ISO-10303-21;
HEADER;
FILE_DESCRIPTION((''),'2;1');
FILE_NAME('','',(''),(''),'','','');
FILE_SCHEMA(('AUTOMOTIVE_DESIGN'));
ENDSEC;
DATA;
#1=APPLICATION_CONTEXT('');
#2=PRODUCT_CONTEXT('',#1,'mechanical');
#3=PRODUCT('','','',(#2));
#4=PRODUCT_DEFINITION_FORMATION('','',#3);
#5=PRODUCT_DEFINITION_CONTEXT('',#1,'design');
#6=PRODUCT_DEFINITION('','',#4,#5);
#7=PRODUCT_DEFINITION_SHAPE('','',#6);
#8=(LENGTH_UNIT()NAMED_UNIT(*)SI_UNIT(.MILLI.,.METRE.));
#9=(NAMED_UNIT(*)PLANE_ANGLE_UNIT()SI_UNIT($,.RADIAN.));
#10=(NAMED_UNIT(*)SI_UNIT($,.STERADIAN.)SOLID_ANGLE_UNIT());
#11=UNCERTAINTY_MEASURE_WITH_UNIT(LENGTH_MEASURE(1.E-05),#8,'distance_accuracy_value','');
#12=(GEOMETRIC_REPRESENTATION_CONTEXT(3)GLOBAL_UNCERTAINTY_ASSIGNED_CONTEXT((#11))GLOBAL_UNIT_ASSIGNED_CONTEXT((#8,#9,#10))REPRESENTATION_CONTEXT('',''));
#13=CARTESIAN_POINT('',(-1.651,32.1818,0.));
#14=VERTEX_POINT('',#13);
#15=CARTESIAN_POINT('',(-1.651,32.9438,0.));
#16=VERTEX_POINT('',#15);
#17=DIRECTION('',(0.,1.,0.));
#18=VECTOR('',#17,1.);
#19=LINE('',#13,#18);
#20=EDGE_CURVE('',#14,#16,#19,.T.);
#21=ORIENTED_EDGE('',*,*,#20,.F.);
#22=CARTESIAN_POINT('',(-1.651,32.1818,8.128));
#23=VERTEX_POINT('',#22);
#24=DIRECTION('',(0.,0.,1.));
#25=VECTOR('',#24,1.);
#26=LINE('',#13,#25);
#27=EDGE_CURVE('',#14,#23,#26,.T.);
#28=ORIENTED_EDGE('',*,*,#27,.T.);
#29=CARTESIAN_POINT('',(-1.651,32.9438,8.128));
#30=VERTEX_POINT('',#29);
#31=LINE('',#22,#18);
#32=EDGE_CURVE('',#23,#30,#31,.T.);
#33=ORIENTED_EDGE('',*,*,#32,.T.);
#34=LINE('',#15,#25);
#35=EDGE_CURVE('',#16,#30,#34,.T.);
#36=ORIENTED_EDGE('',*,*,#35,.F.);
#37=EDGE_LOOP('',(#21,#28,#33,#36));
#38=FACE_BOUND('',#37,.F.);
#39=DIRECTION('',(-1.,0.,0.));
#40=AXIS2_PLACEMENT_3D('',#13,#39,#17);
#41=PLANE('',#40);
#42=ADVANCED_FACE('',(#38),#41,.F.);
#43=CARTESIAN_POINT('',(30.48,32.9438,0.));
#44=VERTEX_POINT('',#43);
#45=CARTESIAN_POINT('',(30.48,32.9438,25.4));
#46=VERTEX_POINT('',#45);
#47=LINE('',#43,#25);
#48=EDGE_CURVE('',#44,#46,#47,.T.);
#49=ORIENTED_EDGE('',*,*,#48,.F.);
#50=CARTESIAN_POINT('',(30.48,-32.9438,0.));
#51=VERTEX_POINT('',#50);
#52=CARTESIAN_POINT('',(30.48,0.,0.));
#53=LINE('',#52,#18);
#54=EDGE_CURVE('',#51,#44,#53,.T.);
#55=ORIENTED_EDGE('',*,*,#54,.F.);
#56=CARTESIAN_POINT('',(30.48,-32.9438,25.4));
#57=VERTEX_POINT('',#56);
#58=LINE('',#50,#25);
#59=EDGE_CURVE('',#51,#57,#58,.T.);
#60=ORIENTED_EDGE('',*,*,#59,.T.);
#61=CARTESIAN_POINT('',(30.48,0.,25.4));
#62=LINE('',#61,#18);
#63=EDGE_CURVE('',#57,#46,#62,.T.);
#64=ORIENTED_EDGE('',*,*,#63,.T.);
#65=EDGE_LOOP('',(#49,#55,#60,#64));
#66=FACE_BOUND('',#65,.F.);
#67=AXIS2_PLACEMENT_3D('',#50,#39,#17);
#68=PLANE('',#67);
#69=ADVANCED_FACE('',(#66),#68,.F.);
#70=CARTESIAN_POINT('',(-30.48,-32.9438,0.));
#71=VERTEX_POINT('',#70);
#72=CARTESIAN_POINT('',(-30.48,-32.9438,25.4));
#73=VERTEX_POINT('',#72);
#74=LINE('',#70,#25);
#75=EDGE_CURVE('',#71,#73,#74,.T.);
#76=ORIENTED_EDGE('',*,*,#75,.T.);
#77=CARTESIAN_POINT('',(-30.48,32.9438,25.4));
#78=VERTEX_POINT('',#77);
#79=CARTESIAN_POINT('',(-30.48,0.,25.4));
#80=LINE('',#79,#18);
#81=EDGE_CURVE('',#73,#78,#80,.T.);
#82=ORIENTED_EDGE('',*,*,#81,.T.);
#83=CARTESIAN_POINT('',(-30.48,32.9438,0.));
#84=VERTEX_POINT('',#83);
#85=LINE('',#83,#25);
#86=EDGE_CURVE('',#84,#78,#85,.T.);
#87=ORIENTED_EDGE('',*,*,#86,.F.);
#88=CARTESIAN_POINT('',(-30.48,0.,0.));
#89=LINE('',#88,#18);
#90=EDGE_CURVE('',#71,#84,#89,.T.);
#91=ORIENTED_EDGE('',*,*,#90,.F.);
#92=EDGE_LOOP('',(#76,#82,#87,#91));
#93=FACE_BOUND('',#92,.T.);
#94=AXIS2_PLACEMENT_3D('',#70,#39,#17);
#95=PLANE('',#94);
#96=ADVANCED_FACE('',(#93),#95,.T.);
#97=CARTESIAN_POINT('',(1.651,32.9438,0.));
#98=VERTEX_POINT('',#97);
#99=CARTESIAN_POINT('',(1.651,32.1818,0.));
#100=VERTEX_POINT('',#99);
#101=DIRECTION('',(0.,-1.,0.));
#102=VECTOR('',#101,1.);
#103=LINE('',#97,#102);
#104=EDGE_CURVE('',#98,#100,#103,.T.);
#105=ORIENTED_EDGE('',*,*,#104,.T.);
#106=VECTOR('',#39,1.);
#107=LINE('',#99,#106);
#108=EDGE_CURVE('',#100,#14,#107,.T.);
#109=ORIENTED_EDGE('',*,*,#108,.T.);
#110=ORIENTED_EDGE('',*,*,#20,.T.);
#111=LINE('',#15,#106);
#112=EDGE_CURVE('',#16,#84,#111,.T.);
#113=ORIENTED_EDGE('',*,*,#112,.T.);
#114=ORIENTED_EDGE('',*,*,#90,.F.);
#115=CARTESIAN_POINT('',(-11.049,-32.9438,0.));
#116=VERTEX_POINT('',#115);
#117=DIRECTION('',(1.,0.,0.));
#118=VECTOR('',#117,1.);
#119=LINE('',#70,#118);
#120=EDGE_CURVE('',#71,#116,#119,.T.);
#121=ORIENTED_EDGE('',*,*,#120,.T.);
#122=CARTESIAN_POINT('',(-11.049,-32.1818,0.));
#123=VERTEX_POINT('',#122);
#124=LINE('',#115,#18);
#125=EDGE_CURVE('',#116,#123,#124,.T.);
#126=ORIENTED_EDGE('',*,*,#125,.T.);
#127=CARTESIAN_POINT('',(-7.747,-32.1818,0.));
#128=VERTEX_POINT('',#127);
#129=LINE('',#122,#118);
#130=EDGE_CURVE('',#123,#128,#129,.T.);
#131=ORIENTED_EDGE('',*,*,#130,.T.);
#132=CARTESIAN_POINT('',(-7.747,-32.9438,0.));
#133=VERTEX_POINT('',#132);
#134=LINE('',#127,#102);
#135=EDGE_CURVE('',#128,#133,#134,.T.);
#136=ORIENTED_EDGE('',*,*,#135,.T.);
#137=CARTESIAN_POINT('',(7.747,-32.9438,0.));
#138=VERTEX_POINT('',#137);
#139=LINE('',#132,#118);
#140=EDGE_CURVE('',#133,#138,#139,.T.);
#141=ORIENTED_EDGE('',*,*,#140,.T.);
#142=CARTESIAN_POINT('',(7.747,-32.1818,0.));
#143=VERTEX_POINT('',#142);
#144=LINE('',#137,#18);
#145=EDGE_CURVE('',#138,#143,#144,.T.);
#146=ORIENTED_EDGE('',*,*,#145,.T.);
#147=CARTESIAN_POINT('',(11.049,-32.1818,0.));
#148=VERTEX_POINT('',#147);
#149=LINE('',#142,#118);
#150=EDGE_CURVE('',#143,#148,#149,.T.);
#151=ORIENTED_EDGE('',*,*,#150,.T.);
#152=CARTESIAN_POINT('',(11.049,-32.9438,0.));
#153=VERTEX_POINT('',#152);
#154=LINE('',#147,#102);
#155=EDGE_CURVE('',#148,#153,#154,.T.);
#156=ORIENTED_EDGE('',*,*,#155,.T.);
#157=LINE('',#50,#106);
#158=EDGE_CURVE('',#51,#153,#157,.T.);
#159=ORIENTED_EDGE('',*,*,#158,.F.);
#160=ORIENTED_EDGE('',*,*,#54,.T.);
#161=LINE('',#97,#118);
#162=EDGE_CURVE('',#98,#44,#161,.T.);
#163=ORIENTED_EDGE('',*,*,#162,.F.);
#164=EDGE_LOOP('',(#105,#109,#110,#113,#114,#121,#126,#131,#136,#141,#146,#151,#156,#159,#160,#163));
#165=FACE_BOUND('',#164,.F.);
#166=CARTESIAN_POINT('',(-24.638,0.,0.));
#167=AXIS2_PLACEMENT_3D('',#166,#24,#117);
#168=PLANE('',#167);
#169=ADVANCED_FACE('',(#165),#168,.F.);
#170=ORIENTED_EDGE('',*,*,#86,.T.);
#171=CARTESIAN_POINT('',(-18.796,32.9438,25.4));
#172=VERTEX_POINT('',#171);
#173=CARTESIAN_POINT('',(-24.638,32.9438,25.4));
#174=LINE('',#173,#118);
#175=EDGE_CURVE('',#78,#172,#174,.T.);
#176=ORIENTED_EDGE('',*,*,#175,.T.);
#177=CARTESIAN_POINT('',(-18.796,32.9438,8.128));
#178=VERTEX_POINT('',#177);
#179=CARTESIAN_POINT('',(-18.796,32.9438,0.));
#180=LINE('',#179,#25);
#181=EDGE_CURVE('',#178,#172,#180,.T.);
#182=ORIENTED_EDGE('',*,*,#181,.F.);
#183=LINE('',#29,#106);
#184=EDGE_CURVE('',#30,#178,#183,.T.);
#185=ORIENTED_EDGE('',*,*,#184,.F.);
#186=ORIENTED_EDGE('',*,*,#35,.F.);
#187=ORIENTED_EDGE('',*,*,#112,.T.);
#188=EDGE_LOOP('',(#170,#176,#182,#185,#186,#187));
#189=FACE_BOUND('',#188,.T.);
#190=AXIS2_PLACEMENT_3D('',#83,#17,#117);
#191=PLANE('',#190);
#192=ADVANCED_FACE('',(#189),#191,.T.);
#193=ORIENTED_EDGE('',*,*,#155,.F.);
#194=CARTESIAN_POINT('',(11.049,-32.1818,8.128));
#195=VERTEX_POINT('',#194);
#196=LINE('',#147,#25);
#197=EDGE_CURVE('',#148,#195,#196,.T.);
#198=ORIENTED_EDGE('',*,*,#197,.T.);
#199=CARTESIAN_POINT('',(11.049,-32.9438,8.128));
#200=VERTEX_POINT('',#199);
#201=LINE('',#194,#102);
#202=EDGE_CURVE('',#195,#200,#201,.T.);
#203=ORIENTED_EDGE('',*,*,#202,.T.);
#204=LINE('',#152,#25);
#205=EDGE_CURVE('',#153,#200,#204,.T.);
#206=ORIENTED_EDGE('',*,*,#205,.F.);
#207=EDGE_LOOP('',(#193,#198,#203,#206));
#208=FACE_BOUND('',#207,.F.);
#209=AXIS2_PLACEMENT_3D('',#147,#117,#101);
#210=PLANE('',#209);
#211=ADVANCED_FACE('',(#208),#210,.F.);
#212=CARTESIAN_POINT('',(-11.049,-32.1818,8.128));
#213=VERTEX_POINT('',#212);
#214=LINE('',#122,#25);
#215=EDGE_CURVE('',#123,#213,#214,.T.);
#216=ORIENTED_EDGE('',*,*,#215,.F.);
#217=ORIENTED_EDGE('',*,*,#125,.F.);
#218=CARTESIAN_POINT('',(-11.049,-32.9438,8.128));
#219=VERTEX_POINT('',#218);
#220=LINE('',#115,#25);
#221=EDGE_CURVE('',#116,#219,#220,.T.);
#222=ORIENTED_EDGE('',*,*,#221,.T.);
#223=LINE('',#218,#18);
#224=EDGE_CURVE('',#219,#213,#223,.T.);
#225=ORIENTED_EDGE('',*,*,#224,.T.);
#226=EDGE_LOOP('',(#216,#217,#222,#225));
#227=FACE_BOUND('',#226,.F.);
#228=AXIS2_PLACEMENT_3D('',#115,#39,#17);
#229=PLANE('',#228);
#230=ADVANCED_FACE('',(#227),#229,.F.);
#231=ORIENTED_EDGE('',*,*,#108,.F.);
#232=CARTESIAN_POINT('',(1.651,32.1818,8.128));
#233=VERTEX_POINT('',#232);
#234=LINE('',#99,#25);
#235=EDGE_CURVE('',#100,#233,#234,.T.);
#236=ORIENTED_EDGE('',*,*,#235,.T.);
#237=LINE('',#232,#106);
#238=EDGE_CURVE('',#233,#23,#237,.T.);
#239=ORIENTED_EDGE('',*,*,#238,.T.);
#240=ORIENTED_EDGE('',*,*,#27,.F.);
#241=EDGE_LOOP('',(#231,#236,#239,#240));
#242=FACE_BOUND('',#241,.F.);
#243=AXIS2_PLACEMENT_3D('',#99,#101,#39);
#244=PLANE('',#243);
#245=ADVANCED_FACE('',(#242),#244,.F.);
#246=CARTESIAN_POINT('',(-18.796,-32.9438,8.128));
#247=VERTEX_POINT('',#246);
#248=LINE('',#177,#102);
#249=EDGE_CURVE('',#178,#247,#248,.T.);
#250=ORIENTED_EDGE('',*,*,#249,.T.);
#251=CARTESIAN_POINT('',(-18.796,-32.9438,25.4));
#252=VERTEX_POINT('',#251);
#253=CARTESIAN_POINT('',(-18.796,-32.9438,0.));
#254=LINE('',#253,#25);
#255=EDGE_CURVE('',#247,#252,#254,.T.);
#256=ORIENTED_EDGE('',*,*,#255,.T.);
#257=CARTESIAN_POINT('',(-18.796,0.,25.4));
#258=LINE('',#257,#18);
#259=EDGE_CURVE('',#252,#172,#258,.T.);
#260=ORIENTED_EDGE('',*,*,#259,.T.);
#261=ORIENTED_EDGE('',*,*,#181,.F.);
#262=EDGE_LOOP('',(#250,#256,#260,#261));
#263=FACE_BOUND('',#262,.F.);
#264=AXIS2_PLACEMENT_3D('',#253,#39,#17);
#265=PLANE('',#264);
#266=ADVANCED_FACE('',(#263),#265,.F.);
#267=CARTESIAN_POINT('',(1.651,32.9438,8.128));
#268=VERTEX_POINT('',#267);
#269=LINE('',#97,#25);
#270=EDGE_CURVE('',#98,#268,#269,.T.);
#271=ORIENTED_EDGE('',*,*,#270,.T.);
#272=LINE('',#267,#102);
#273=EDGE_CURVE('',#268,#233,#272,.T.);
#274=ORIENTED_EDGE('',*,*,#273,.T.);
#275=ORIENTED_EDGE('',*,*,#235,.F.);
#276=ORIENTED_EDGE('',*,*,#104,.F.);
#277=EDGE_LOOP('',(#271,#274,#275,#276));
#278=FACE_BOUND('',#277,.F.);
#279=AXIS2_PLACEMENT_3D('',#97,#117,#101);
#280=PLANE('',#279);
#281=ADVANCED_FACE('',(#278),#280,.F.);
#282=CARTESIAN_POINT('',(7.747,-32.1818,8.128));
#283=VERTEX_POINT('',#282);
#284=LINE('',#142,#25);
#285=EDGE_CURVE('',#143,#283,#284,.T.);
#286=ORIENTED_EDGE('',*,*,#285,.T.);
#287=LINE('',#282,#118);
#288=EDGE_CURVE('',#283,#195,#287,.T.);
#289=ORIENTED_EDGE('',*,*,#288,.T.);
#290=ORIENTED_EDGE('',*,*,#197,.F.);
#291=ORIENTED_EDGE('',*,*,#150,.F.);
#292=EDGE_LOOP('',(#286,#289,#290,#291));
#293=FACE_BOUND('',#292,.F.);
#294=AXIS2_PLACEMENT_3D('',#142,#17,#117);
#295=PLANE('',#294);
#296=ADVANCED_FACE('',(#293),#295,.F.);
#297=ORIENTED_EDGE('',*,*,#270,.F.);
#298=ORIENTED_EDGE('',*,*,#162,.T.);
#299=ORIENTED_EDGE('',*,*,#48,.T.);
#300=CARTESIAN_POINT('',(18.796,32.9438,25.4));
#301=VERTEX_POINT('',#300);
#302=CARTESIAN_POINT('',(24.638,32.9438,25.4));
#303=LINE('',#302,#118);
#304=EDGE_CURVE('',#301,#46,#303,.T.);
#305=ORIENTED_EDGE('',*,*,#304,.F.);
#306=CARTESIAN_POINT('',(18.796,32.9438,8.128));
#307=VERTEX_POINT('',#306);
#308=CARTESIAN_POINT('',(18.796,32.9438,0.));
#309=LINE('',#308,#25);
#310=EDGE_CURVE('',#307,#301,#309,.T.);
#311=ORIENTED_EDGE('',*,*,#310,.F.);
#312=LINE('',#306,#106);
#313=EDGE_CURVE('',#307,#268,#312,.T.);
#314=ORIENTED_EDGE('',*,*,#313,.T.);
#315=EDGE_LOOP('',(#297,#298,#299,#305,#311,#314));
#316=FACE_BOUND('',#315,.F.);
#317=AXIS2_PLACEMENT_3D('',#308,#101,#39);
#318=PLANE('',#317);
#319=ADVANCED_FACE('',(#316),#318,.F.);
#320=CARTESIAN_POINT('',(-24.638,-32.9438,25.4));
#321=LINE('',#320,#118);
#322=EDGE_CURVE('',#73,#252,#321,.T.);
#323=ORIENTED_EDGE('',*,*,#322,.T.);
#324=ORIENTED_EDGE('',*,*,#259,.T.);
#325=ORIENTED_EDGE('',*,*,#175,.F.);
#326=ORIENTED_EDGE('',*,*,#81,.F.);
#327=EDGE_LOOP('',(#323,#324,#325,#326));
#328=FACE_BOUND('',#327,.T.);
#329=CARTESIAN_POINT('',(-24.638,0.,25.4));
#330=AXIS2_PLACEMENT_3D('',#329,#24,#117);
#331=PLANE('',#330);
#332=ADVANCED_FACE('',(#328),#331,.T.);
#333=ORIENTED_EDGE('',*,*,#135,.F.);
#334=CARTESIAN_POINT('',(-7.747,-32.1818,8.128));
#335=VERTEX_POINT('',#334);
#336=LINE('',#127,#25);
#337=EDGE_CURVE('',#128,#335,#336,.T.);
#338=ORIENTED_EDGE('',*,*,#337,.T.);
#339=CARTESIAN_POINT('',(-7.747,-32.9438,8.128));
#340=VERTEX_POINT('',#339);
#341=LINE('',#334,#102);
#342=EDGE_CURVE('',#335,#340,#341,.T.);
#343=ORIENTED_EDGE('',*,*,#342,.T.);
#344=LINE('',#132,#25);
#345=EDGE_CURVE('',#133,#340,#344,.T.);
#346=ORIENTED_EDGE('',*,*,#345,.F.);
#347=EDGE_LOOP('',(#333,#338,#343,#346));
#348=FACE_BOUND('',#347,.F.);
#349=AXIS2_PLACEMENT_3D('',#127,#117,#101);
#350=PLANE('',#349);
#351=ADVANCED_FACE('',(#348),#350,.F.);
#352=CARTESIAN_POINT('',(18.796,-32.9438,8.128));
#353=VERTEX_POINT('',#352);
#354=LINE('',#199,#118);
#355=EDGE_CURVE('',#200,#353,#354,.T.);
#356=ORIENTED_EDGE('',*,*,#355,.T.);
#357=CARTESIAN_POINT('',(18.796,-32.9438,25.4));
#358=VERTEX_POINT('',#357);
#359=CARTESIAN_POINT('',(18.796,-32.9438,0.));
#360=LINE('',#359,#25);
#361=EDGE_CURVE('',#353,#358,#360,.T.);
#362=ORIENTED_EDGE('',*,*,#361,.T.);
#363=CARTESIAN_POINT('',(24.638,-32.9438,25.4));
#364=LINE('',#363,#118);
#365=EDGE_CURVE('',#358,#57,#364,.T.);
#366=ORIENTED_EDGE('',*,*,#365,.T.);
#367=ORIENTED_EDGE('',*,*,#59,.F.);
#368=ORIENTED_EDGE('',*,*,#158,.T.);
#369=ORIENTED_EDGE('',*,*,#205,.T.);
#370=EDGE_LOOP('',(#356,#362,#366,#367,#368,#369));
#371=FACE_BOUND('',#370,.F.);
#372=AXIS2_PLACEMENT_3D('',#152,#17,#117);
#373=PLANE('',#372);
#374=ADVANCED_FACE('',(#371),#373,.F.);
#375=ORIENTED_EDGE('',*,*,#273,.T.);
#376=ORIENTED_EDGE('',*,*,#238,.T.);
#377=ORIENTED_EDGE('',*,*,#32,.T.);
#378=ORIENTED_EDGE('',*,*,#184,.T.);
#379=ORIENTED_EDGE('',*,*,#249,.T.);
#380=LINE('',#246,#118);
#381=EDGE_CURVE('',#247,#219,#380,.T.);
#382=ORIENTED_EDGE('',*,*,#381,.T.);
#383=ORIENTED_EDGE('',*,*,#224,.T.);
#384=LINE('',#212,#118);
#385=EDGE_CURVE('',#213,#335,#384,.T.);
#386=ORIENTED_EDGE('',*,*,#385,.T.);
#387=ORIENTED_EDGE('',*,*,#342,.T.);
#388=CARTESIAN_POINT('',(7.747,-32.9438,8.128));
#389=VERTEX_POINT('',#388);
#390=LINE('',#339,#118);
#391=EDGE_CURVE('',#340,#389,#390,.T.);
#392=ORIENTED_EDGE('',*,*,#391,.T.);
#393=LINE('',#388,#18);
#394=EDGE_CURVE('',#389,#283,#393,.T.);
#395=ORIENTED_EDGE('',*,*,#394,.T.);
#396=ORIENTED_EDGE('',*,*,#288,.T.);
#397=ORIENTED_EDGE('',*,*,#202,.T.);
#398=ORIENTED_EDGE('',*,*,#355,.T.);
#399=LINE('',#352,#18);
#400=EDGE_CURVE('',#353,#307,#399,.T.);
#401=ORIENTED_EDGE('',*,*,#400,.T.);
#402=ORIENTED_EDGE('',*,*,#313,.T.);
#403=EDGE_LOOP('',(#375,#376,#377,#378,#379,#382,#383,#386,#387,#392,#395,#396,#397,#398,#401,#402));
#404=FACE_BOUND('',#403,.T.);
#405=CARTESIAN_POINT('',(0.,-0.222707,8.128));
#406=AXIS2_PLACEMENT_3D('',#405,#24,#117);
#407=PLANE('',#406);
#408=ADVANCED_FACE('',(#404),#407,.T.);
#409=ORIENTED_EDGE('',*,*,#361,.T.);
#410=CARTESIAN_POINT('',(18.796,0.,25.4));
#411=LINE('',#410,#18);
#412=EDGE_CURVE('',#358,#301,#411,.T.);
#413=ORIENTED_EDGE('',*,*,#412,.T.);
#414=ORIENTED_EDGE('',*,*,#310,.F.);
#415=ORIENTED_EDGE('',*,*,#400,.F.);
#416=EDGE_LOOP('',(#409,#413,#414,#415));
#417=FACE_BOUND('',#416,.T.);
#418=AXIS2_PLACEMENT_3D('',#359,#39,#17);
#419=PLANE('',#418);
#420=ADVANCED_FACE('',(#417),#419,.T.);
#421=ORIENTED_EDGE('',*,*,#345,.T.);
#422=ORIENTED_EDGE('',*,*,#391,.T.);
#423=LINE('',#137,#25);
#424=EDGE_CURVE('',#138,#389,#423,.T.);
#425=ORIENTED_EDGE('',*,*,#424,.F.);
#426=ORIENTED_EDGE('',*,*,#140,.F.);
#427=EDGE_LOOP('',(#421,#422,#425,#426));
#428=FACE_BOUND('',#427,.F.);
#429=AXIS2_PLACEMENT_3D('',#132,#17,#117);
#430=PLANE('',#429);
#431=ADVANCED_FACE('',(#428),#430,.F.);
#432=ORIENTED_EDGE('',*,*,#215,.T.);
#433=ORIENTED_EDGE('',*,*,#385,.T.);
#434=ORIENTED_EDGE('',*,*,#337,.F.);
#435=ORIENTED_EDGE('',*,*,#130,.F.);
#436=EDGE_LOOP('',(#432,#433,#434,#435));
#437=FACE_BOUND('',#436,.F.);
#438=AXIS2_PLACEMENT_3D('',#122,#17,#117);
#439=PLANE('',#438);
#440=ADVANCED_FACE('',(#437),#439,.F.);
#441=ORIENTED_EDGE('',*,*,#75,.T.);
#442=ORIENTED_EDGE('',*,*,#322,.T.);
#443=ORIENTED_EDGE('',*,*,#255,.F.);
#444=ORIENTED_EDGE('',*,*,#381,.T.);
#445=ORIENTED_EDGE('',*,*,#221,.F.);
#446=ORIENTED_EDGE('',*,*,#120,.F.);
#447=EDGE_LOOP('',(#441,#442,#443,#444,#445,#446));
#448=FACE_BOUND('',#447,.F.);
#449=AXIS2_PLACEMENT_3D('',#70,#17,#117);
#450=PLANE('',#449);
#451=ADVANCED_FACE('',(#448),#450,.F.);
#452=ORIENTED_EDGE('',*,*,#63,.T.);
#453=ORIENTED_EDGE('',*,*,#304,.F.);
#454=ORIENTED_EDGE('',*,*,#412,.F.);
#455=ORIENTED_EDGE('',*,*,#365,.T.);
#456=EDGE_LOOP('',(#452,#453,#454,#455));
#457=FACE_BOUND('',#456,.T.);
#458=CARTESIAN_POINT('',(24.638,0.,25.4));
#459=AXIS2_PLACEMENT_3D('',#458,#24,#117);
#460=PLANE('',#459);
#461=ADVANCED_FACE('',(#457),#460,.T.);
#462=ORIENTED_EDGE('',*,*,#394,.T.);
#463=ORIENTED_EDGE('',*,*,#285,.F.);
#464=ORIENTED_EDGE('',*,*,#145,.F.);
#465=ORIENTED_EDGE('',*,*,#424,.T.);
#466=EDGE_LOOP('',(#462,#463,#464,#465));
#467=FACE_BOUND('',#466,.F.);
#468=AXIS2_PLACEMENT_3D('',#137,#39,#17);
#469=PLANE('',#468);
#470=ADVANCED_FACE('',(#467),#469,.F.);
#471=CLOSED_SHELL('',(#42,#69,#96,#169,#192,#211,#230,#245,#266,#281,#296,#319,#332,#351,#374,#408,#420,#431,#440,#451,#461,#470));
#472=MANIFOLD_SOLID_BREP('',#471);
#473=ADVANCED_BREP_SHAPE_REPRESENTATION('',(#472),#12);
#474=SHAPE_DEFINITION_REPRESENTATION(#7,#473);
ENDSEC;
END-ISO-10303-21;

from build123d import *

# Parameters (mm, degrees)
F1_DEPTH = 8.128
F0_W     = 11.684
F0_H     = 65.8876
F2_DEPTH = 25.4


with BuildPart() as f1:
    # F0 (on Top) → F1 (new body)
    with BuildSketch(Plane.XY):
        Polygon((18.796, -32.9438), (18.796, 32.9438), (1.651, 32.9438), (1.651, 32.1818), (-1.651, 32.1818), (-1.651, 32.9438), (-18.796, 32.9438), (-18.796, -32.9438), (-11.049, -32.9438), (-11.049, -32.1818), (-7.747, -32.1818), (-7.747, -32.9438), (7.747, -32.9438), (7.747, -32.1818), (11.049, -32.1818), (11.049, -32.9438), align=None)
    extrude(amount=F1_DEPTH)

    # F0 (on Top) → F2 (join)
    with BuildSketch(Plane.XY):
        with Locations((-24.638, 0)):
            Rectangle(F0_W, F0_H)
        with Locations((24.638, 0)):
            Rectangle(F0_W, F0_H)
    extrude(amount=F2_DEPTH)


solid = f1.part
